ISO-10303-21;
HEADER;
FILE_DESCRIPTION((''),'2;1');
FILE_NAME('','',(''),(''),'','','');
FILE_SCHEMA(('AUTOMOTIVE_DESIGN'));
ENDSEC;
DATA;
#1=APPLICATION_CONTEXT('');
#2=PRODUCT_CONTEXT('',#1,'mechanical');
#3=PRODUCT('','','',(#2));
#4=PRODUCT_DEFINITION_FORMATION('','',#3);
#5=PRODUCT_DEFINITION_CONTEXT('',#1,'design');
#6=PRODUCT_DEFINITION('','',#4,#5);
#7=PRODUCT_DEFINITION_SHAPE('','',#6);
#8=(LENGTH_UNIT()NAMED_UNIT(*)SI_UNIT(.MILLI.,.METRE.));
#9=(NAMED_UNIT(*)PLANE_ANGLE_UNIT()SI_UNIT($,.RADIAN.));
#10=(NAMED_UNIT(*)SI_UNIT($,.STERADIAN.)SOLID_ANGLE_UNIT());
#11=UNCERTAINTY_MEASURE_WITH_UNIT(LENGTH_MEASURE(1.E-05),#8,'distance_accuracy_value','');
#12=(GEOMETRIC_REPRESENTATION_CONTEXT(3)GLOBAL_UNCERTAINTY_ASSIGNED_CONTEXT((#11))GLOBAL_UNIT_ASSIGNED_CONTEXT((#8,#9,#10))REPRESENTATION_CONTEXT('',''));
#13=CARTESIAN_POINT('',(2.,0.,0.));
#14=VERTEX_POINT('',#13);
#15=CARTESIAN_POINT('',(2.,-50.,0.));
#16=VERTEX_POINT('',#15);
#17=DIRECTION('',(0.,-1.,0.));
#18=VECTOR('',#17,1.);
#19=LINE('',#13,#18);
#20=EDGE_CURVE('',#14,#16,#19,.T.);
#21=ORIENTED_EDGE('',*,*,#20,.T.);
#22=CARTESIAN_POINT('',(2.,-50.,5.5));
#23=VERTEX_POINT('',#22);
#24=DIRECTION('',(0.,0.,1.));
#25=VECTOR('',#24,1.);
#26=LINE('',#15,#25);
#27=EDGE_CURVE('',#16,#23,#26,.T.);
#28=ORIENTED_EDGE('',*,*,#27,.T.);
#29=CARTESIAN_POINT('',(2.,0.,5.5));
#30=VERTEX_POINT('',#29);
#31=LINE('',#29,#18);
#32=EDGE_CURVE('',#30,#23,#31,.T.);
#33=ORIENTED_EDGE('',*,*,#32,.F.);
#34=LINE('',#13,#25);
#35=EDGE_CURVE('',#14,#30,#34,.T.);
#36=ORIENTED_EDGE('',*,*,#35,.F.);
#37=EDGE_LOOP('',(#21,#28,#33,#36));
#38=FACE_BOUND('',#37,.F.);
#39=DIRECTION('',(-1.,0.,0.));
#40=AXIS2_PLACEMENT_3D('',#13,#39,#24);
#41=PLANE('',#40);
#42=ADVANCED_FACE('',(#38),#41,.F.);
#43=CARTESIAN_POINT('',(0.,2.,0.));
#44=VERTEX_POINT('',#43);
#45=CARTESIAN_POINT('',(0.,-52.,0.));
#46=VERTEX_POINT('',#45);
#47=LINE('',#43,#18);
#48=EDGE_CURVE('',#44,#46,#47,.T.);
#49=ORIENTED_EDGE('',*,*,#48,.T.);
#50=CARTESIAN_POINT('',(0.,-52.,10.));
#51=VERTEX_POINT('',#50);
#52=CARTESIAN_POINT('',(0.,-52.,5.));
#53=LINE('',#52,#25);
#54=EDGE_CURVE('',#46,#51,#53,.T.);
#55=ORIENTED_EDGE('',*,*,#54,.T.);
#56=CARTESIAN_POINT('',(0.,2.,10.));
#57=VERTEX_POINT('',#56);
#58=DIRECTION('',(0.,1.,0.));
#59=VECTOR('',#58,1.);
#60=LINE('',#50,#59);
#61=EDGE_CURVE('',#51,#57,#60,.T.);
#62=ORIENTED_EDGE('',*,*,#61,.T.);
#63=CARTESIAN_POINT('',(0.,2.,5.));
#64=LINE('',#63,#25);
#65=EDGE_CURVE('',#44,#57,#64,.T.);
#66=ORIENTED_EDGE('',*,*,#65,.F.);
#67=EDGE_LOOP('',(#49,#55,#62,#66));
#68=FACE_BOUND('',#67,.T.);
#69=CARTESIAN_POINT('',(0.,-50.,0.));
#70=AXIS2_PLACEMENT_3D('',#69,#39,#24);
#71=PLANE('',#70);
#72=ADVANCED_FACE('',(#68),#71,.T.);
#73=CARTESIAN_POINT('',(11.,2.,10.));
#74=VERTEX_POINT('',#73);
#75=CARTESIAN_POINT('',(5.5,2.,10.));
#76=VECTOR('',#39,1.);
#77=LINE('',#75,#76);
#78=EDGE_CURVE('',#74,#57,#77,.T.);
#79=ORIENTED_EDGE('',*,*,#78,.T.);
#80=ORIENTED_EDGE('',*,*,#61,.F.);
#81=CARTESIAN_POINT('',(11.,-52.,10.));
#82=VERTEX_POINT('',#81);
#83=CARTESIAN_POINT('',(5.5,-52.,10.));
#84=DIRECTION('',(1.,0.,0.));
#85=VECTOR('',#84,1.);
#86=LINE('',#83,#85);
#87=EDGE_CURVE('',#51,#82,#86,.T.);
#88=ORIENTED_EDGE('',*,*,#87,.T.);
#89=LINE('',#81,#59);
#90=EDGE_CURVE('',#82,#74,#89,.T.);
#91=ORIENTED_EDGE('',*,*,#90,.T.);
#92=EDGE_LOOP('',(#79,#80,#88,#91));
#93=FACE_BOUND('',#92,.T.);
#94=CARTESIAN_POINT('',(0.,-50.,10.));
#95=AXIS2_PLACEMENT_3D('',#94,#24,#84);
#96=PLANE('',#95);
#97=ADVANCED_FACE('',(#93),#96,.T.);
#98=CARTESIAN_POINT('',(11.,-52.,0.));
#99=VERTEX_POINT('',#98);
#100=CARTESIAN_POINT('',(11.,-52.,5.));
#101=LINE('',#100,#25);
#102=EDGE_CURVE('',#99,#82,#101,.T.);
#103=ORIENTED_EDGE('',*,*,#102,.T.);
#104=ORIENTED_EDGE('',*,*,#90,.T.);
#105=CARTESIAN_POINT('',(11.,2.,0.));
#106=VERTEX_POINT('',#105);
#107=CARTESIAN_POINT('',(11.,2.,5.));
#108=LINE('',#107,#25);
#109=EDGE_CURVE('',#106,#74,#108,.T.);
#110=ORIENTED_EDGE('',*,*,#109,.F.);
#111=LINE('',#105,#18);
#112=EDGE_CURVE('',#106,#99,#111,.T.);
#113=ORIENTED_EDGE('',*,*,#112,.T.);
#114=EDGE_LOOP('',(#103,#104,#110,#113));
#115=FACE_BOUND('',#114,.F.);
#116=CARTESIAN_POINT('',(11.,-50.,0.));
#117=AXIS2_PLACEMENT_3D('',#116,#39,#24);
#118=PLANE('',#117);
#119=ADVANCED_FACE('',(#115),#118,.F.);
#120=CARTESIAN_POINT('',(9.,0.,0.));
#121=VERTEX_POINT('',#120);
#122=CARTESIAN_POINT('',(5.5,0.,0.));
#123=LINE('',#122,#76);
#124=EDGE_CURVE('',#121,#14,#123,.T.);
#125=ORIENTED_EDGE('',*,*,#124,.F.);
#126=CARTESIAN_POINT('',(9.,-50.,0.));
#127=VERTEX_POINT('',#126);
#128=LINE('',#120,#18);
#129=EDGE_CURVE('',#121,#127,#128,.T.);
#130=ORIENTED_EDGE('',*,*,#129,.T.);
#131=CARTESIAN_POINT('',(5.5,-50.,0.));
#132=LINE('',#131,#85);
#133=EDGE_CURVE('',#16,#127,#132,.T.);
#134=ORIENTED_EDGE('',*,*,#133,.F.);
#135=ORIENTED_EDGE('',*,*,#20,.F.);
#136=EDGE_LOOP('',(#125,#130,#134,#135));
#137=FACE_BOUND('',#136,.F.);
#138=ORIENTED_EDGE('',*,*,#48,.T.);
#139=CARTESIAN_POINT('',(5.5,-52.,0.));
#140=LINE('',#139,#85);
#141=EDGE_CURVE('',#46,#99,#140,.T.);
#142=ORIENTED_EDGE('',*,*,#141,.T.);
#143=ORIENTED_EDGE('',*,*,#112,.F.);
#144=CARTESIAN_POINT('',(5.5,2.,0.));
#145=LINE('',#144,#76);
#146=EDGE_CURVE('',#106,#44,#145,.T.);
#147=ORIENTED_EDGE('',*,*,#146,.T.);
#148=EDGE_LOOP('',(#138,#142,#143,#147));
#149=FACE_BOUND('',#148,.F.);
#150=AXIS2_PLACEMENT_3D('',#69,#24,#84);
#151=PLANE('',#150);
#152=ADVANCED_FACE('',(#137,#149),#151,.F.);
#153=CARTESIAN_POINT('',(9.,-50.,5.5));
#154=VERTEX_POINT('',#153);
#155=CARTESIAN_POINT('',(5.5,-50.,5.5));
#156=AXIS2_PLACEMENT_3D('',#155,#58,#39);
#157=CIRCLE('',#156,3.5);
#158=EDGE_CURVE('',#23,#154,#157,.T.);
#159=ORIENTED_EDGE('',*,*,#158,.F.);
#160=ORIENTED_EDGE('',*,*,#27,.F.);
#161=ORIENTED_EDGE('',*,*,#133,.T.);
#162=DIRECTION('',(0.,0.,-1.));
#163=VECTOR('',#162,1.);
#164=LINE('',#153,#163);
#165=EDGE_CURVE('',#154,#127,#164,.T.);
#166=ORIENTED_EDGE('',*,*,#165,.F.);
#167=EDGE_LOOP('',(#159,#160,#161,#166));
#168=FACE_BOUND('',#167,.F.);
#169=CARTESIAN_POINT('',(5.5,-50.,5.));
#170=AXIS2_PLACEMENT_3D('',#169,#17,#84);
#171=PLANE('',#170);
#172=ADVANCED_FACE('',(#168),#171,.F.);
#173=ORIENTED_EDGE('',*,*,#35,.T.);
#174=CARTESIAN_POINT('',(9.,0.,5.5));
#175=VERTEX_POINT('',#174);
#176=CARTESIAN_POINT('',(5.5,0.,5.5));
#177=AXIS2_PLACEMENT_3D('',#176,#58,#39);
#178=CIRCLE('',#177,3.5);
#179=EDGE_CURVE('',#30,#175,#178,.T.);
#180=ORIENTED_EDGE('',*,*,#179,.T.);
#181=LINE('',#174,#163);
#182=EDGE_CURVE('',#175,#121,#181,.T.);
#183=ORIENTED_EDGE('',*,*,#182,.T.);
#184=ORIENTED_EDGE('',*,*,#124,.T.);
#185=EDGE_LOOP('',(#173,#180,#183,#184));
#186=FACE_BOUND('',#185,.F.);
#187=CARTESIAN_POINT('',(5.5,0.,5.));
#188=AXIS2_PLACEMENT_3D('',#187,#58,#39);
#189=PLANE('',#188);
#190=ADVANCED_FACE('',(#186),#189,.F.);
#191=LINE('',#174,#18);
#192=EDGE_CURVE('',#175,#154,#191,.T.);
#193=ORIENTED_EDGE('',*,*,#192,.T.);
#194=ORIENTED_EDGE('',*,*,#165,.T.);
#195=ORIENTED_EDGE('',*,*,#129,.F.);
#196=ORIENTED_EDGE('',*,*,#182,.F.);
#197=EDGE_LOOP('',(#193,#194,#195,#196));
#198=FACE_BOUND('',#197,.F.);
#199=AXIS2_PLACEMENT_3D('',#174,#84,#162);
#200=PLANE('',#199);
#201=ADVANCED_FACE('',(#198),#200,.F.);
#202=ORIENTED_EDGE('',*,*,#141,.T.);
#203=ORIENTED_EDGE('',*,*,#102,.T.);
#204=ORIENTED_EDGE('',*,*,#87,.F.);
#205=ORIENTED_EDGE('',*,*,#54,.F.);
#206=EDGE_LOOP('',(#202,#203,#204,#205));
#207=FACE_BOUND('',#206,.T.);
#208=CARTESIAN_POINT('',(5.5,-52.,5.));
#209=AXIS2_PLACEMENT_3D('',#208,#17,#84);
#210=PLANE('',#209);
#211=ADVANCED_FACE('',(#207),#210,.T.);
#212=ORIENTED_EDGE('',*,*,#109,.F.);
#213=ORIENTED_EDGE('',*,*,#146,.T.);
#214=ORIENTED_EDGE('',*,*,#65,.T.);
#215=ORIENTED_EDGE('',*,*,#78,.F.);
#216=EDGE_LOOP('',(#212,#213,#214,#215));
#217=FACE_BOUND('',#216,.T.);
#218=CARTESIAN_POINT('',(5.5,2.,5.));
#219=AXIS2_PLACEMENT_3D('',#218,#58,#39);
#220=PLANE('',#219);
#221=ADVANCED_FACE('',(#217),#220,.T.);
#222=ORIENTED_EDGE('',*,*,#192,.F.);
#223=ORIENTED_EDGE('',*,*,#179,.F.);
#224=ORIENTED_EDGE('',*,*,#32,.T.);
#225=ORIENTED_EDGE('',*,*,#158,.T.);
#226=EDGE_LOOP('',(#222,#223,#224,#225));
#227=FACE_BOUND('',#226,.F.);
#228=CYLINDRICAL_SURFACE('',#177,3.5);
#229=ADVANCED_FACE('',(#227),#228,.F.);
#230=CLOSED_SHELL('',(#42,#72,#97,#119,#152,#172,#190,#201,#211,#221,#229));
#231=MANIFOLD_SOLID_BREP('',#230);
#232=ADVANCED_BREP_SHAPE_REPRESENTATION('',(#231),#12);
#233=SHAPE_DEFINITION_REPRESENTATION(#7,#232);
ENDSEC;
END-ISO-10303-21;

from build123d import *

# Parameters (mm, degrees)
F1_DEPTH = 50
F2_W     = 11
F2_H     = 10
F3_DEPTH = 2
F4_W     = 11
F4_H     = 10
F5_DEPTH = 2


with BuildPart() as f1:
    # F0 (on Front) → F1 (new body)
    with BuildSketch(Plane.XZ):
        with BuildLine():
            Line((0, 10), (0, 0))
            Line((0, 0), (2, 0))
            Line((2, 0), (2, 5.5))
            ThreePointArc((2, 5.5), (5.5, 9), (9, 5.5))
            Line((9, 5.5), (9, 0))
            Line((9, 0), (11, 0))
            Line((11, 0), (11, 10))
            Line((11, 10), (0, 10))
        make_face()
    extrude(amount=F1_DEPTH)

    # F2 (on face) → F3 (join)
    with BuildSketch(Plane(origin=(0, 0, 0), x_dir=(-1, 0, 0), z_dir=(0, 1, 0))):
        with Locations((-5.5, 5)):
            Rectangle(F2_W, F2_H)
    extrude(amount=F3_DEPTH)

    # F4 (on face) → F5 (join)
    with BuildSketch(Plane.XZ.offset(50)):
        with Locations((5.5, 5)):
            Rectangle(F4_W, F4_H)
    extrude(amount=F5_DEPTH)


solid = f1.part
